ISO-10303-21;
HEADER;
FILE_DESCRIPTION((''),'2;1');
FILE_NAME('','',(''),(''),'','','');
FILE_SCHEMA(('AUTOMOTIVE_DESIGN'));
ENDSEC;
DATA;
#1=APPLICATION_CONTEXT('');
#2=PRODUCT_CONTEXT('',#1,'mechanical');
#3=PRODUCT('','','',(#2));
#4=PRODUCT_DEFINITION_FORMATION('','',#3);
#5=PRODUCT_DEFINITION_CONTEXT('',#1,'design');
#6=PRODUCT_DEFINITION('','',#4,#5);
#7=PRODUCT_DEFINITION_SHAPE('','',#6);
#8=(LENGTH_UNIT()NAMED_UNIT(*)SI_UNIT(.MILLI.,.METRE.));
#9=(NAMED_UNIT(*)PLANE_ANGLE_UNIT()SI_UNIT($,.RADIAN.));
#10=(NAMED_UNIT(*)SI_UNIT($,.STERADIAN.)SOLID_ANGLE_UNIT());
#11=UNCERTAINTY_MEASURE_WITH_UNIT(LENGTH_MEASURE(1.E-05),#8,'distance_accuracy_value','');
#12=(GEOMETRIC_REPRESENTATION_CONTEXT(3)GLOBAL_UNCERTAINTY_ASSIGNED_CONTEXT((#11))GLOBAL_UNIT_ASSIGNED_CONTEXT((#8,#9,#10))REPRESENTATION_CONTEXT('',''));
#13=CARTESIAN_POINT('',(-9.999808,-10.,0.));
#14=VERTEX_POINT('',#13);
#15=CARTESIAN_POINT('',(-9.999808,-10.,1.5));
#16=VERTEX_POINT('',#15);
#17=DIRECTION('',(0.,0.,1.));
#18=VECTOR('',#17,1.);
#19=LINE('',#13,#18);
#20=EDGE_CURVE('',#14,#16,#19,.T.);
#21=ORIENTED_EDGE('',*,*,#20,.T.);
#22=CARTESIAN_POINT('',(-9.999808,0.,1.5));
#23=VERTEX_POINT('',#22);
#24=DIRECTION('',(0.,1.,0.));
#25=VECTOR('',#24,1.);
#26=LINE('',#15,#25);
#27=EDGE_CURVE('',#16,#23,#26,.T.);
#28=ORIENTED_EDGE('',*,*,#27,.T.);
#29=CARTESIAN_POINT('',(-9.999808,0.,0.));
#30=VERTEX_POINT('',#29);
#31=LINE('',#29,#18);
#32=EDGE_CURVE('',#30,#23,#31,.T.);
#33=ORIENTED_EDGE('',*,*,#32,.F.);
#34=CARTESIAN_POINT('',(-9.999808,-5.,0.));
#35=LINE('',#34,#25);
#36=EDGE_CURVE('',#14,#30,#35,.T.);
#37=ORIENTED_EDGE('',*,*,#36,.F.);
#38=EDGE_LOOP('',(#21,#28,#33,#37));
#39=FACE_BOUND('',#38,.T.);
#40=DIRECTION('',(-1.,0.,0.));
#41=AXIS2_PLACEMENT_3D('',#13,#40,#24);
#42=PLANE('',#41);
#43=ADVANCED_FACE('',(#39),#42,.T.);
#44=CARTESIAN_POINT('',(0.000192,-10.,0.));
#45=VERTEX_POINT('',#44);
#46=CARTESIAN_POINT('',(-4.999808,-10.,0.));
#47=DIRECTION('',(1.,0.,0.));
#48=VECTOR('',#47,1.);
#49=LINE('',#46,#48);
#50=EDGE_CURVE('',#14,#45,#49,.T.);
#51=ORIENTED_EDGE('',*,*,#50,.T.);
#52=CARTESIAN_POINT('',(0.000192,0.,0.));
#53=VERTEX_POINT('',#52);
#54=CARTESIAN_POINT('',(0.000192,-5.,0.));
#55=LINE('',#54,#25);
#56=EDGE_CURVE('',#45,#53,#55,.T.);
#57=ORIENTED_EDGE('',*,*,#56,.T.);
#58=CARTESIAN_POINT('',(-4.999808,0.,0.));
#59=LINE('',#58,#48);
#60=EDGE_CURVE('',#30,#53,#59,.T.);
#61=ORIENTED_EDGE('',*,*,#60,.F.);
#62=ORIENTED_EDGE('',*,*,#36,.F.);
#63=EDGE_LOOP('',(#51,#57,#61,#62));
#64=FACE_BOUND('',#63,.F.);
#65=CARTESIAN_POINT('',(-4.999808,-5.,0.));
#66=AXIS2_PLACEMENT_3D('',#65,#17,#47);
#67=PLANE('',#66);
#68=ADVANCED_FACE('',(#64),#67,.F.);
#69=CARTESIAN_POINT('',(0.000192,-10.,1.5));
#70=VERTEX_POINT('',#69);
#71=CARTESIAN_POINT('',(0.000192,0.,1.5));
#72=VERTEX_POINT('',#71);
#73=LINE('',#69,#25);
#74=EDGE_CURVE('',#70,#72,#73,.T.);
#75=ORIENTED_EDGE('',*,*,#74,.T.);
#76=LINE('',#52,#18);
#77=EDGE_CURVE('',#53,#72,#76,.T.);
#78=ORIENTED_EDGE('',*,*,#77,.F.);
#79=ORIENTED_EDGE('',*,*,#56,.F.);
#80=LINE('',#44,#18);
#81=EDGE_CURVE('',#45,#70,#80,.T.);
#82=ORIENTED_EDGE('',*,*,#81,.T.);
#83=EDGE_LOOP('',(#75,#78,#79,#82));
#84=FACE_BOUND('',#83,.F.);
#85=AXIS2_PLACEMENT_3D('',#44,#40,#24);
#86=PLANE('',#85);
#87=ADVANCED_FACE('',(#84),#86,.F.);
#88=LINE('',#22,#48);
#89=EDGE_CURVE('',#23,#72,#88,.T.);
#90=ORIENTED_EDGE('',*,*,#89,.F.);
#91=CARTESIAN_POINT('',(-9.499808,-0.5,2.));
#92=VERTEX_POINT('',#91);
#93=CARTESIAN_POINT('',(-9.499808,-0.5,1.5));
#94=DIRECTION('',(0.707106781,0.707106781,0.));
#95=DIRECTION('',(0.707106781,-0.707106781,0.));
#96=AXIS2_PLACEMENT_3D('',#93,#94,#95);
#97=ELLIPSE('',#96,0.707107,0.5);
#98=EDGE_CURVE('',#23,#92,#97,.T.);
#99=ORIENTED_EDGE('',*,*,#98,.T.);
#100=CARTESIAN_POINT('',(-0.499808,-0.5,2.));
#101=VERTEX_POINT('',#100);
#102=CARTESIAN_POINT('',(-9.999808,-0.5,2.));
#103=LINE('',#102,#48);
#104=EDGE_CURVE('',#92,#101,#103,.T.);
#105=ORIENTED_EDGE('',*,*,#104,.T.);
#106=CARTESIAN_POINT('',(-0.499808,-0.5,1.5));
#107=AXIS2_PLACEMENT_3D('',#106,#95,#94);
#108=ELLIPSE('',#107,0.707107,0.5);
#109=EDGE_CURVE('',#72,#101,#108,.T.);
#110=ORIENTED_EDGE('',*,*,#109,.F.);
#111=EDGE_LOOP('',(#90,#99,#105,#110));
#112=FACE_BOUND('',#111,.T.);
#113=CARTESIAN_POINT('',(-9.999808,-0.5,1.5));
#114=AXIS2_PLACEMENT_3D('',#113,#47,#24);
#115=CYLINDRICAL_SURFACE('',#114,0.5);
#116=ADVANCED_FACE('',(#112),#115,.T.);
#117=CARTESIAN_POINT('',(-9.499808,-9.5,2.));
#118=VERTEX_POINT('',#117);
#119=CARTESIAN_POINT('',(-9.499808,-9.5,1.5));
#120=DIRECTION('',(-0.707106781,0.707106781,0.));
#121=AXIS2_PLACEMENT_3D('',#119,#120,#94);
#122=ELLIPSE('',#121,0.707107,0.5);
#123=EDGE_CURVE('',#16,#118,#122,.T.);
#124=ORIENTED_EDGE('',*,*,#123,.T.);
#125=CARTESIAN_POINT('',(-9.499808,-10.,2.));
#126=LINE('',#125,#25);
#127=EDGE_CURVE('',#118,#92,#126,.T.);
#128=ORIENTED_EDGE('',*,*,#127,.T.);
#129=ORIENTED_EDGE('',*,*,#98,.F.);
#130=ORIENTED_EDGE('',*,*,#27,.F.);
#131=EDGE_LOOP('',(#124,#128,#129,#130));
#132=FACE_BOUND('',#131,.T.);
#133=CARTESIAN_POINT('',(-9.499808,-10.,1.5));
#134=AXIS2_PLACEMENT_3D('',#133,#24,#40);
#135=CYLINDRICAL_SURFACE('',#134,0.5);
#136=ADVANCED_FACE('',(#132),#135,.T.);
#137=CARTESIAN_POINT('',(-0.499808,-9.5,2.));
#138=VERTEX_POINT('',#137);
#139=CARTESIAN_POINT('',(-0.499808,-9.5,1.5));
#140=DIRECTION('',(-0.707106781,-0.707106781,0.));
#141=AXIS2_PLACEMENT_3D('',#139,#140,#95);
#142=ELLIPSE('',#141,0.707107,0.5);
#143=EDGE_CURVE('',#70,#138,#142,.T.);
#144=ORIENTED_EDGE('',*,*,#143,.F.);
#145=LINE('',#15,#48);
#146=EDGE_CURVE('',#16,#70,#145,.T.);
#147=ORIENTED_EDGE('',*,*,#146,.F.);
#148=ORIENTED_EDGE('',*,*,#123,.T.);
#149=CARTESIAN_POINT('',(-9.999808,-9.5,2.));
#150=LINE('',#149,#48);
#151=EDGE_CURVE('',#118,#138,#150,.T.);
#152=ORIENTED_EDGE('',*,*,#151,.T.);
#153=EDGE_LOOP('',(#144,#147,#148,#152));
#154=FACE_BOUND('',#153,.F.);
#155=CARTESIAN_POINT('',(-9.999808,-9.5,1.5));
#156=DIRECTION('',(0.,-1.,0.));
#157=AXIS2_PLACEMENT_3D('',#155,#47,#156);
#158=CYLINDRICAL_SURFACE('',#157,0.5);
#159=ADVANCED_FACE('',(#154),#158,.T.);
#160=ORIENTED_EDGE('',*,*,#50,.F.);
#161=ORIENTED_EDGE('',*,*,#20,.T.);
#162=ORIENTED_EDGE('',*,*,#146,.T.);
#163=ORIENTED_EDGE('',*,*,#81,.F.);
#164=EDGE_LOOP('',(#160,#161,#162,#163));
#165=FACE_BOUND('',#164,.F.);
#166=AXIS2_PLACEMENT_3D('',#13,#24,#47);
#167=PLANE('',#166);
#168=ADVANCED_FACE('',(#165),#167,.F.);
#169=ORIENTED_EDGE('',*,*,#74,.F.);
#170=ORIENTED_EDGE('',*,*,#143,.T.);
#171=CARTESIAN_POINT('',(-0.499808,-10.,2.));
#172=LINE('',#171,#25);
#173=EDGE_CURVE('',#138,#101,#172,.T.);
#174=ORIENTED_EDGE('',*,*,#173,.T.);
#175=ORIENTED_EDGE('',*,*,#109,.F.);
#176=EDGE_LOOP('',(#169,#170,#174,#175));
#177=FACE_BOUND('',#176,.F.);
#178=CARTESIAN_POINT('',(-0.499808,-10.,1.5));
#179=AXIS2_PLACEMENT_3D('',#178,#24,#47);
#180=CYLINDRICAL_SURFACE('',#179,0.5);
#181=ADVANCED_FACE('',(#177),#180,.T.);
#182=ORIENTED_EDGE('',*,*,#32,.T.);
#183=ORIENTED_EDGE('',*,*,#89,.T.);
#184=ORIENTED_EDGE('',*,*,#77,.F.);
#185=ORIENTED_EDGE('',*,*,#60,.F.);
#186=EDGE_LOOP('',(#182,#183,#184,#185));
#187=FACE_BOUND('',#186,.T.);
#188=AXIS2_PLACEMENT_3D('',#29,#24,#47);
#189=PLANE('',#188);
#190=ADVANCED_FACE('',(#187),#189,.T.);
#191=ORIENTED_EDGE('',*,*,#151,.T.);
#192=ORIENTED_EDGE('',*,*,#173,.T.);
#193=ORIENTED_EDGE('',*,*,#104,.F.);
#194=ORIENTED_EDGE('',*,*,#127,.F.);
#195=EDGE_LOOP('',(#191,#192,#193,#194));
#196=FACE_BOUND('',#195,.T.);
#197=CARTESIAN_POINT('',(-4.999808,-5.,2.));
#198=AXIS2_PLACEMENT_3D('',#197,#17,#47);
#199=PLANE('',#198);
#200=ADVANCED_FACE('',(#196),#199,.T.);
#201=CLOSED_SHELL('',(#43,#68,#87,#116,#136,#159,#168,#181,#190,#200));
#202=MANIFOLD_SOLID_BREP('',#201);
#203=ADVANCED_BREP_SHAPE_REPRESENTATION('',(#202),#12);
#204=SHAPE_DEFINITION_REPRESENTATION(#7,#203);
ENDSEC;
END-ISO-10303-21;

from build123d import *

# Parameters (mm, degrees)
SKETCH_W      = 10
SKETCH_H      = 10
EXTRUDE_DEPTH = 2
FILLET_R      = 0.5


with BuildPart() as part:
    # Sketch → Extrude (new body)
    with BuildSketch(Plane.XY):
        with Locations((-4.999808, -5)):
            Rectangle(SKETCH_W, SKETCH_H)
    extrude(amount=EXTRUDE_DEPTH)

    # Fillet
    fillet_edges = [part.edges().sort_by_distance(p)[0] for p in [
        (-4.999808, -10, 2),
        (0.000192, -5, 2),
        (-4.999808, 0, 2),
        (-9.999808, -5, 2),
    ]]
    fillet(fillet_edges, radius=FILLET_R)


solid = part.part
